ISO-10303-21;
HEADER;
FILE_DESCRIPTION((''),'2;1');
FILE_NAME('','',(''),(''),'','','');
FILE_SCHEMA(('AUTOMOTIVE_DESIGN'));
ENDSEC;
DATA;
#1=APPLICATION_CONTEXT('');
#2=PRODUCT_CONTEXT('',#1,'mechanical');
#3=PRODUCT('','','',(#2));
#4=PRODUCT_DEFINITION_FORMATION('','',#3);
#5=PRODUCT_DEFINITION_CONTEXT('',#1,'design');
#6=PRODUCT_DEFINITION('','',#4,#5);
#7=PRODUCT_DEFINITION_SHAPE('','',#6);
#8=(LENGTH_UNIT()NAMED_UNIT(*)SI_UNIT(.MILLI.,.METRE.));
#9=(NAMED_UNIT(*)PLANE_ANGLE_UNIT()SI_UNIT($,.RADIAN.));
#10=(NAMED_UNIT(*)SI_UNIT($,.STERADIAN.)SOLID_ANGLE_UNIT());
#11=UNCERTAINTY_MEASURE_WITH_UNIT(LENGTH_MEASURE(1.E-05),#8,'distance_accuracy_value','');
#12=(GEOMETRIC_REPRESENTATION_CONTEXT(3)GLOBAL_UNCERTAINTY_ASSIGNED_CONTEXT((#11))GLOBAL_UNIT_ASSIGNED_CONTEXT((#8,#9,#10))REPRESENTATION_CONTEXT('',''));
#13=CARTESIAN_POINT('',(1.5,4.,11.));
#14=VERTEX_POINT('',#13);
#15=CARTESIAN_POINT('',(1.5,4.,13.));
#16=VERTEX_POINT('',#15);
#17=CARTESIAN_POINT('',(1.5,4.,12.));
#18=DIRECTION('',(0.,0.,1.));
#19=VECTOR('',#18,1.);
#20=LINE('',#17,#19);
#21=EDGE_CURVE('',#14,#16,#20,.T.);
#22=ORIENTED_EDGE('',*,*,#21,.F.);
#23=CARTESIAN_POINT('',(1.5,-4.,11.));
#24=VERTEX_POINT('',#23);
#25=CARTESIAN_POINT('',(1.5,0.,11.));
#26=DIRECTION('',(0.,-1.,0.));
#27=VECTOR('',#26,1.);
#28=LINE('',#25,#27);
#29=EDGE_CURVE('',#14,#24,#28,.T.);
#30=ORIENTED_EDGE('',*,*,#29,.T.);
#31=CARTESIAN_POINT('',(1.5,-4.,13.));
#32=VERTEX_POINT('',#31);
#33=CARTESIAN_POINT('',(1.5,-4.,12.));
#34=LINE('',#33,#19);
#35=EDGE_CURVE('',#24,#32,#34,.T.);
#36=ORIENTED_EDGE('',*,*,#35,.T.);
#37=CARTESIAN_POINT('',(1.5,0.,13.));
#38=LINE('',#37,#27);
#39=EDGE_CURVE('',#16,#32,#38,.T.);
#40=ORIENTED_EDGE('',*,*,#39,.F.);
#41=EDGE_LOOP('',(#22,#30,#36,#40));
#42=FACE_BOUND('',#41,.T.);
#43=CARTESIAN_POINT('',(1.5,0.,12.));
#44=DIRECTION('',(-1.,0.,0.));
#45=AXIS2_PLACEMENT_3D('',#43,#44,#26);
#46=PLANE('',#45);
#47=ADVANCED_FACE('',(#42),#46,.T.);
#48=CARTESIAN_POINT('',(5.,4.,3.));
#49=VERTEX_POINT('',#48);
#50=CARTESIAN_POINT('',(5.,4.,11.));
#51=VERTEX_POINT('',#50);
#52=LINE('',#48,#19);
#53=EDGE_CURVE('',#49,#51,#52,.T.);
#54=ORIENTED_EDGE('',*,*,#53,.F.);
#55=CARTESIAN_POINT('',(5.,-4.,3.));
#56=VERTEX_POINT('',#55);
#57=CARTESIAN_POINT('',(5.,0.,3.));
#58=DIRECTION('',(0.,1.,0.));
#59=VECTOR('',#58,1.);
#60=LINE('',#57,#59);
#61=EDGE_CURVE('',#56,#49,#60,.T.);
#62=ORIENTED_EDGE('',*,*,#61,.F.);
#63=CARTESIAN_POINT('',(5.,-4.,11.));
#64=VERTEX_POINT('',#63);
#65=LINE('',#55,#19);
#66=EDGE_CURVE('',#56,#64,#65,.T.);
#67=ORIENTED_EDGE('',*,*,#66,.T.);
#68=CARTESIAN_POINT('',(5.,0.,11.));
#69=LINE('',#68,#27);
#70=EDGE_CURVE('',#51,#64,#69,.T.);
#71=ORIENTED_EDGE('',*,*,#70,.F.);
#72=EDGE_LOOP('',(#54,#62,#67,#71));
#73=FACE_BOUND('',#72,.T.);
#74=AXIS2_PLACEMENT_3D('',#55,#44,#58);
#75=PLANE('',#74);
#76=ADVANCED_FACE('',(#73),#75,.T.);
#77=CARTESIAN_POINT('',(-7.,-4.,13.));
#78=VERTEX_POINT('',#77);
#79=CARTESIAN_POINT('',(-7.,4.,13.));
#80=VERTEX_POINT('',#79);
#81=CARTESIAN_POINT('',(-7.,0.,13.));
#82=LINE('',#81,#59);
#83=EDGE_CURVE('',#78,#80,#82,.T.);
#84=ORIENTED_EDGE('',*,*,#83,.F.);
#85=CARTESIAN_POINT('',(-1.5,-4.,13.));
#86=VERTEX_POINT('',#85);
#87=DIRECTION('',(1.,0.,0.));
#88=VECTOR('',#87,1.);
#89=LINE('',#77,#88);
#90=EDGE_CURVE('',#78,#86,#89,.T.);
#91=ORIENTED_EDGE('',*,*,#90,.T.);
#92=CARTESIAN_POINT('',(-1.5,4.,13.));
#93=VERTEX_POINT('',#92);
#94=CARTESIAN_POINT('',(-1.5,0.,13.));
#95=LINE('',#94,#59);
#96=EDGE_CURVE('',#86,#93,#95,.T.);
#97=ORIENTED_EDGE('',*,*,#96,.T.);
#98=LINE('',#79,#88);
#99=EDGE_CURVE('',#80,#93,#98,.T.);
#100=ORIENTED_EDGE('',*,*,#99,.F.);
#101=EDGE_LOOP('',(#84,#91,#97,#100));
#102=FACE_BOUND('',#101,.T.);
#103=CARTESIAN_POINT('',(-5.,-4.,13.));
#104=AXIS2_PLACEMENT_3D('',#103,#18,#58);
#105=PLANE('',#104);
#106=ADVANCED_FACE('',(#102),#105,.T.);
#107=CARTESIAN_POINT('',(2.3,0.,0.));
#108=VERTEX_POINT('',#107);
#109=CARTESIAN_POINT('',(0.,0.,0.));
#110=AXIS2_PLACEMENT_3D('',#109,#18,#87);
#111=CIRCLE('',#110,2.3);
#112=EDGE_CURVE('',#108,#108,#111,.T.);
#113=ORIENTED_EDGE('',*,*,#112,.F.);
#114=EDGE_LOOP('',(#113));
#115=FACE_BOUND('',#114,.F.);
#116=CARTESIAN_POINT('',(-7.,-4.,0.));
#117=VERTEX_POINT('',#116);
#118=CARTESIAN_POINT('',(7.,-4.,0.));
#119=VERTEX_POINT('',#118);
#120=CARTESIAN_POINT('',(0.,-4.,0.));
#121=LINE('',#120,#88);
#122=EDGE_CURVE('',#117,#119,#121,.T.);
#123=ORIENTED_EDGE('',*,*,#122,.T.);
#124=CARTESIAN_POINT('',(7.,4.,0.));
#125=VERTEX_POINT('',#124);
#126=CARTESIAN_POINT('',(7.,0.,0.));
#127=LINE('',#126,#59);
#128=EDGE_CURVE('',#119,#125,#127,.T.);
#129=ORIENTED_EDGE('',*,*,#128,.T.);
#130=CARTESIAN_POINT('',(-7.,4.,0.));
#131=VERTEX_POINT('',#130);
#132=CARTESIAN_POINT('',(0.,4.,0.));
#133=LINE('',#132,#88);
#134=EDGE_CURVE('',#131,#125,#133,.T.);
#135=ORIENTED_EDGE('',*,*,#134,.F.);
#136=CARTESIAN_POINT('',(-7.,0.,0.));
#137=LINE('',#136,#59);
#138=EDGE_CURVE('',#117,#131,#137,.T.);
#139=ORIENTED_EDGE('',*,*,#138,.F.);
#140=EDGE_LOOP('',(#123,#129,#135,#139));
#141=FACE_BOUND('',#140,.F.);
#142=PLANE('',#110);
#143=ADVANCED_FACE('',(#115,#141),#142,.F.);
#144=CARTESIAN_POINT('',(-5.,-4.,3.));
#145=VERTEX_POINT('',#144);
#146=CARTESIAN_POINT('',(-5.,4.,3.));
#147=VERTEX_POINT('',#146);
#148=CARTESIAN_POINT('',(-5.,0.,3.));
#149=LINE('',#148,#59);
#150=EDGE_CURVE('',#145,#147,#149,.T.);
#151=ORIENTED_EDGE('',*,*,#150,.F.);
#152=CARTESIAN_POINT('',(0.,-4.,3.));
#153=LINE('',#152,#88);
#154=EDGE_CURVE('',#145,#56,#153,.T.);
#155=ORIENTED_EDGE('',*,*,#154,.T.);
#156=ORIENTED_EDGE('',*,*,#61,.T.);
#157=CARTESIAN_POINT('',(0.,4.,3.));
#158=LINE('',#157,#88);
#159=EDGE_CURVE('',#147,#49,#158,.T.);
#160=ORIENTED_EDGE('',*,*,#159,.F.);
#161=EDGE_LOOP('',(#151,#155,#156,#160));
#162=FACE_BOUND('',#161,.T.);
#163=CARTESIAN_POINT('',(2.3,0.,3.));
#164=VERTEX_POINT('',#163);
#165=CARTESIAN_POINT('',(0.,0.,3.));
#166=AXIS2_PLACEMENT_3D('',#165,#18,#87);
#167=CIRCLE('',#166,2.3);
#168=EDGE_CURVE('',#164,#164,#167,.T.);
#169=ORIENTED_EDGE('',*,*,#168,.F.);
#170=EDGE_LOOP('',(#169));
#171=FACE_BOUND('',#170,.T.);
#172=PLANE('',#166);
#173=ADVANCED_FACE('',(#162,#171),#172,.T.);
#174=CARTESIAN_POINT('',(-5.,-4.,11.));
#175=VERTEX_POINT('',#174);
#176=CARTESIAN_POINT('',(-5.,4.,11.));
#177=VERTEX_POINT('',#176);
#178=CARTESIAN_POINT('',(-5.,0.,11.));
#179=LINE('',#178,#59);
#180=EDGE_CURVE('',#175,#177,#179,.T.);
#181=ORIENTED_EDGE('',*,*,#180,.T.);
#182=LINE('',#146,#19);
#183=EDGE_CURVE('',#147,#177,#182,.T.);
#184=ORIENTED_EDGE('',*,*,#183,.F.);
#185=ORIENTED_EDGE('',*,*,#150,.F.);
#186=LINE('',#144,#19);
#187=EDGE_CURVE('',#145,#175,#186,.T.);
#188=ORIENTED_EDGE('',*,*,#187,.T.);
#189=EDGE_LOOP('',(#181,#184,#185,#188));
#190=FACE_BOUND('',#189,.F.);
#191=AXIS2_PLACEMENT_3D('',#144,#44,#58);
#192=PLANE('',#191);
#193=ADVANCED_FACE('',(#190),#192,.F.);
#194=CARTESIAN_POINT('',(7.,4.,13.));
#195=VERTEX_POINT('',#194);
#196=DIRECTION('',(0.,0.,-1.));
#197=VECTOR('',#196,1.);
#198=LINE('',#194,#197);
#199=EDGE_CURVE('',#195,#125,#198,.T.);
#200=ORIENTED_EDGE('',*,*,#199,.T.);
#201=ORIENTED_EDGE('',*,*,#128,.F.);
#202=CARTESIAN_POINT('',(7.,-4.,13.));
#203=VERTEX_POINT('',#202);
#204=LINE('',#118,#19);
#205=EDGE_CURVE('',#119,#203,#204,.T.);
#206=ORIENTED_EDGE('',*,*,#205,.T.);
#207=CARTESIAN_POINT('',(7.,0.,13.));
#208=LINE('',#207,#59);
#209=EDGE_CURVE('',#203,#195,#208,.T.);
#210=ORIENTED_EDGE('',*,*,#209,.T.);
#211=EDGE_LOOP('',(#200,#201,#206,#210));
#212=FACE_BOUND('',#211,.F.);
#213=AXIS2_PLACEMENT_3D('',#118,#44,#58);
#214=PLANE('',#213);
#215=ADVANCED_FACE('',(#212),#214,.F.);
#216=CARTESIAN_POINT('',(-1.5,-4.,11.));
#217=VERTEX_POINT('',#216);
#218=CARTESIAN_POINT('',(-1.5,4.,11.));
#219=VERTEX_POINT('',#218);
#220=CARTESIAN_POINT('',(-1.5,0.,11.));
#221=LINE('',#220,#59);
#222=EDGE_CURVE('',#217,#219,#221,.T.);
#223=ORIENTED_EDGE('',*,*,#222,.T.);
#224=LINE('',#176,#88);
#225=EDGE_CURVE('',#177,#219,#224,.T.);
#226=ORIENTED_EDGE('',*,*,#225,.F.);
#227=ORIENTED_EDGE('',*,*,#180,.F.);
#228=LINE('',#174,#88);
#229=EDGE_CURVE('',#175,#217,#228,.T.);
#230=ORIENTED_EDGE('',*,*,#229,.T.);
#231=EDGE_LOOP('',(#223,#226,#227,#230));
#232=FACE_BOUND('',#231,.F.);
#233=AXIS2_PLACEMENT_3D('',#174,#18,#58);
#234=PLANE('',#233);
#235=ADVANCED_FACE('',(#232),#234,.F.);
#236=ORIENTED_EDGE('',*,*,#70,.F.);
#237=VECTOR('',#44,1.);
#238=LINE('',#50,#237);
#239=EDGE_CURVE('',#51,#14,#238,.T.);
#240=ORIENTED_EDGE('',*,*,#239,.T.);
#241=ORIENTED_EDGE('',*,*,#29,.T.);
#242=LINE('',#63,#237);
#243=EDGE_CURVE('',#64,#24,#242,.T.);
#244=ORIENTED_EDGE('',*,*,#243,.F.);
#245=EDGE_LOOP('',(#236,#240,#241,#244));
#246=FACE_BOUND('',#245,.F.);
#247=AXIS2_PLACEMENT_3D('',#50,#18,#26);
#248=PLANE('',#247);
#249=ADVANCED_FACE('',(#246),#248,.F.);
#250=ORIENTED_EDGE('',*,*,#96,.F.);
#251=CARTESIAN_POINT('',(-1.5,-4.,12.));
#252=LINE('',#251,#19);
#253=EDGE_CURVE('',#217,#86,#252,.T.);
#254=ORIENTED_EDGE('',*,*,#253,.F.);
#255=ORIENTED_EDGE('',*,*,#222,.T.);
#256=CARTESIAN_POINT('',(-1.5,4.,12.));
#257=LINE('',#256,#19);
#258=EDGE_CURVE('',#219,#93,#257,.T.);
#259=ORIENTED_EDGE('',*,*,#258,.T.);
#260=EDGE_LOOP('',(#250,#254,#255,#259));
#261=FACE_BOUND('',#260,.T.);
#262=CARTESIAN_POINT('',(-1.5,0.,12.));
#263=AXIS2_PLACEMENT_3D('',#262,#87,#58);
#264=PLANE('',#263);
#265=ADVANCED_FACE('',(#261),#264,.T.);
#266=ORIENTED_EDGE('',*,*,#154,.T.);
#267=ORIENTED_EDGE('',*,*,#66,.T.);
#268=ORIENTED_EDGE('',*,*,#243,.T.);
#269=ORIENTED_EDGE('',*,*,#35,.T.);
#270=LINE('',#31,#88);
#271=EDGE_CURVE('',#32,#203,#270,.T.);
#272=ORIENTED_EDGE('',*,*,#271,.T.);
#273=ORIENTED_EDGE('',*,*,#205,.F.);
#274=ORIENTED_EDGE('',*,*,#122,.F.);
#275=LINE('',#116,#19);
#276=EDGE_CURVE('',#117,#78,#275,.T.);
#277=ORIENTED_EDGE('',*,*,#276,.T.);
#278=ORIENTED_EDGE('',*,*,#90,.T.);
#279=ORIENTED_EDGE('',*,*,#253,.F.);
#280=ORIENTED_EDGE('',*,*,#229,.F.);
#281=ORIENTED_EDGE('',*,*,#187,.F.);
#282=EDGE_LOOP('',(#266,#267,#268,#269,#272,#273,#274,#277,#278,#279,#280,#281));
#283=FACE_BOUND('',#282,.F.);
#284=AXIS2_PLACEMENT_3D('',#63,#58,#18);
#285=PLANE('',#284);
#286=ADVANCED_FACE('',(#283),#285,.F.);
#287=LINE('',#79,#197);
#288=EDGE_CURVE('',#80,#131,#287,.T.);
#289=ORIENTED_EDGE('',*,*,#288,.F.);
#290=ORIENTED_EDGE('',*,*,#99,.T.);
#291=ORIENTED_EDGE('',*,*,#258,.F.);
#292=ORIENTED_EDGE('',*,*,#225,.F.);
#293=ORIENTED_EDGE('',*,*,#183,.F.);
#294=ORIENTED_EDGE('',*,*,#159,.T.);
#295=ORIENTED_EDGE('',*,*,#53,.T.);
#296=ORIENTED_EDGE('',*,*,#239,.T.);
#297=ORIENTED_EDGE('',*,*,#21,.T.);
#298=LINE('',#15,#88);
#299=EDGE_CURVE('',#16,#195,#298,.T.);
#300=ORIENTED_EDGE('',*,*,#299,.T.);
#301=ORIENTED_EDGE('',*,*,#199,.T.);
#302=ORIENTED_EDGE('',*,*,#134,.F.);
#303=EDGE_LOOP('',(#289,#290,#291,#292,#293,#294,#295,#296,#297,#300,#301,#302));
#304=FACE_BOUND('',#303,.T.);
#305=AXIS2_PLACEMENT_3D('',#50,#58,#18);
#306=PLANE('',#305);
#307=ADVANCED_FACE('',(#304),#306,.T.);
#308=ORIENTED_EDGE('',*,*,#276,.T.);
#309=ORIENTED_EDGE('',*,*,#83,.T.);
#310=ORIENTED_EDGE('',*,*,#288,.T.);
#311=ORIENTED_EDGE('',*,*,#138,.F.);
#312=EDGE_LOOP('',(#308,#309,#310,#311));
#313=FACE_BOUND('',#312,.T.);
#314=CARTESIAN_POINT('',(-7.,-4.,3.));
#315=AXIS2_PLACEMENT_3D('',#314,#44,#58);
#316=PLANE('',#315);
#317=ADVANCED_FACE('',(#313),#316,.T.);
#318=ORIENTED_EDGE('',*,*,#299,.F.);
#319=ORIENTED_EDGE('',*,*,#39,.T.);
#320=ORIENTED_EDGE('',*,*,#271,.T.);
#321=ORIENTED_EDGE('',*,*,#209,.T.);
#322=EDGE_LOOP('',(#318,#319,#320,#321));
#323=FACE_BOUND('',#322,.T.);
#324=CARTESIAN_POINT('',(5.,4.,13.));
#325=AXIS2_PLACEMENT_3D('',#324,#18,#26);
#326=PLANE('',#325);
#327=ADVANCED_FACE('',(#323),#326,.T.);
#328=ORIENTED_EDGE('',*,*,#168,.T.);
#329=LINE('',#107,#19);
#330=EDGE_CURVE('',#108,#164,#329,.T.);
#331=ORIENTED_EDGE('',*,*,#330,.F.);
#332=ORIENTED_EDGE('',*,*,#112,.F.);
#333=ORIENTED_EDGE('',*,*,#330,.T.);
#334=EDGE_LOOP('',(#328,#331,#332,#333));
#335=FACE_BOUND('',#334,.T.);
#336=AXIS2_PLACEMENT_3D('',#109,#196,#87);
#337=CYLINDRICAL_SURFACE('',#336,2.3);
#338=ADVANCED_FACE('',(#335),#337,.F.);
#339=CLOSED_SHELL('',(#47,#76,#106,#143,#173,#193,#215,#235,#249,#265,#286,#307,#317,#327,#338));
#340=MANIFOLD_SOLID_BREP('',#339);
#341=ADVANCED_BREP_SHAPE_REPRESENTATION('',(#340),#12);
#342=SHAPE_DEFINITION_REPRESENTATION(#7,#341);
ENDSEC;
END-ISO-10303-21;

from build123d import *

# Parameters (mm, degrees)
SKETCH_W     = 14
SKETCH_H     = 8
SKETCH_R     = 2.3
PAD_DEPTH    = 3
SKETCH001_W  = 2
SKETCH001_H  = 8
PAD001_DEPTH = 10
SKETCH003_W  = 8
SKETCH003_H  = 2
PAD003_DEPTH = 3.5
SKETCH004_W  = 8
SKETCH004_H  = 2
PAD004_DEPTH = 3.5


with BuildPart() as pad001:
    # Sketch → Pad (new body)
    with BuildSketch(Plane.XY):
        Rectangle(SKETCH_W, SKETCH_H)
        Circle(SKETCH_R, mode=Mode.SUBTRACT)
    extrude(amount=PAD_DEPTH)

    # Sketch001 → Pad001 (new body)
    with BuildSketch(Plane.XY.offset(3)):
        with Locations((-6, 0)):
            Rectangle(SKETCH001_W, SKETCH001_H)
        with Locations((6, 0)):
            Rectangle(SKETCH001_W, SKETCH001_H)
    extrude(amount=PAD001_DEPTH)


with BuildPart() as pad003:
    # Pad003 base: copy of Pad001
    add(pad001.part)

    # Sketch003 → Pad003 (new body)
    with BuildSketch(Plane(origin=(5, 0, 0), x_dir=(0, -1, 0), z_dir=(-1, 0, 0))):
        with Locations((0, 12)):
            Rectangle(SKETCH003_W, SKETCH003_H)
    extrude(amount=PAD003_DEPTH)


with BuildPart() as fusion:
    # Pad004 base: copy of Pad001
    add(pad001.part)

    # Sketch004 → Pad004 (new body)
    with BuildSketch(Plane.YZ.offset(-5)):
        with Locations((0, 12)):
            Rectangle(SKETCH004_W, SKETCH004_H)
    extrude(amount=PAD004_DEPTH)

    # Fusion: union Pad003
    add(pad003.part)


solid = fusion.part
